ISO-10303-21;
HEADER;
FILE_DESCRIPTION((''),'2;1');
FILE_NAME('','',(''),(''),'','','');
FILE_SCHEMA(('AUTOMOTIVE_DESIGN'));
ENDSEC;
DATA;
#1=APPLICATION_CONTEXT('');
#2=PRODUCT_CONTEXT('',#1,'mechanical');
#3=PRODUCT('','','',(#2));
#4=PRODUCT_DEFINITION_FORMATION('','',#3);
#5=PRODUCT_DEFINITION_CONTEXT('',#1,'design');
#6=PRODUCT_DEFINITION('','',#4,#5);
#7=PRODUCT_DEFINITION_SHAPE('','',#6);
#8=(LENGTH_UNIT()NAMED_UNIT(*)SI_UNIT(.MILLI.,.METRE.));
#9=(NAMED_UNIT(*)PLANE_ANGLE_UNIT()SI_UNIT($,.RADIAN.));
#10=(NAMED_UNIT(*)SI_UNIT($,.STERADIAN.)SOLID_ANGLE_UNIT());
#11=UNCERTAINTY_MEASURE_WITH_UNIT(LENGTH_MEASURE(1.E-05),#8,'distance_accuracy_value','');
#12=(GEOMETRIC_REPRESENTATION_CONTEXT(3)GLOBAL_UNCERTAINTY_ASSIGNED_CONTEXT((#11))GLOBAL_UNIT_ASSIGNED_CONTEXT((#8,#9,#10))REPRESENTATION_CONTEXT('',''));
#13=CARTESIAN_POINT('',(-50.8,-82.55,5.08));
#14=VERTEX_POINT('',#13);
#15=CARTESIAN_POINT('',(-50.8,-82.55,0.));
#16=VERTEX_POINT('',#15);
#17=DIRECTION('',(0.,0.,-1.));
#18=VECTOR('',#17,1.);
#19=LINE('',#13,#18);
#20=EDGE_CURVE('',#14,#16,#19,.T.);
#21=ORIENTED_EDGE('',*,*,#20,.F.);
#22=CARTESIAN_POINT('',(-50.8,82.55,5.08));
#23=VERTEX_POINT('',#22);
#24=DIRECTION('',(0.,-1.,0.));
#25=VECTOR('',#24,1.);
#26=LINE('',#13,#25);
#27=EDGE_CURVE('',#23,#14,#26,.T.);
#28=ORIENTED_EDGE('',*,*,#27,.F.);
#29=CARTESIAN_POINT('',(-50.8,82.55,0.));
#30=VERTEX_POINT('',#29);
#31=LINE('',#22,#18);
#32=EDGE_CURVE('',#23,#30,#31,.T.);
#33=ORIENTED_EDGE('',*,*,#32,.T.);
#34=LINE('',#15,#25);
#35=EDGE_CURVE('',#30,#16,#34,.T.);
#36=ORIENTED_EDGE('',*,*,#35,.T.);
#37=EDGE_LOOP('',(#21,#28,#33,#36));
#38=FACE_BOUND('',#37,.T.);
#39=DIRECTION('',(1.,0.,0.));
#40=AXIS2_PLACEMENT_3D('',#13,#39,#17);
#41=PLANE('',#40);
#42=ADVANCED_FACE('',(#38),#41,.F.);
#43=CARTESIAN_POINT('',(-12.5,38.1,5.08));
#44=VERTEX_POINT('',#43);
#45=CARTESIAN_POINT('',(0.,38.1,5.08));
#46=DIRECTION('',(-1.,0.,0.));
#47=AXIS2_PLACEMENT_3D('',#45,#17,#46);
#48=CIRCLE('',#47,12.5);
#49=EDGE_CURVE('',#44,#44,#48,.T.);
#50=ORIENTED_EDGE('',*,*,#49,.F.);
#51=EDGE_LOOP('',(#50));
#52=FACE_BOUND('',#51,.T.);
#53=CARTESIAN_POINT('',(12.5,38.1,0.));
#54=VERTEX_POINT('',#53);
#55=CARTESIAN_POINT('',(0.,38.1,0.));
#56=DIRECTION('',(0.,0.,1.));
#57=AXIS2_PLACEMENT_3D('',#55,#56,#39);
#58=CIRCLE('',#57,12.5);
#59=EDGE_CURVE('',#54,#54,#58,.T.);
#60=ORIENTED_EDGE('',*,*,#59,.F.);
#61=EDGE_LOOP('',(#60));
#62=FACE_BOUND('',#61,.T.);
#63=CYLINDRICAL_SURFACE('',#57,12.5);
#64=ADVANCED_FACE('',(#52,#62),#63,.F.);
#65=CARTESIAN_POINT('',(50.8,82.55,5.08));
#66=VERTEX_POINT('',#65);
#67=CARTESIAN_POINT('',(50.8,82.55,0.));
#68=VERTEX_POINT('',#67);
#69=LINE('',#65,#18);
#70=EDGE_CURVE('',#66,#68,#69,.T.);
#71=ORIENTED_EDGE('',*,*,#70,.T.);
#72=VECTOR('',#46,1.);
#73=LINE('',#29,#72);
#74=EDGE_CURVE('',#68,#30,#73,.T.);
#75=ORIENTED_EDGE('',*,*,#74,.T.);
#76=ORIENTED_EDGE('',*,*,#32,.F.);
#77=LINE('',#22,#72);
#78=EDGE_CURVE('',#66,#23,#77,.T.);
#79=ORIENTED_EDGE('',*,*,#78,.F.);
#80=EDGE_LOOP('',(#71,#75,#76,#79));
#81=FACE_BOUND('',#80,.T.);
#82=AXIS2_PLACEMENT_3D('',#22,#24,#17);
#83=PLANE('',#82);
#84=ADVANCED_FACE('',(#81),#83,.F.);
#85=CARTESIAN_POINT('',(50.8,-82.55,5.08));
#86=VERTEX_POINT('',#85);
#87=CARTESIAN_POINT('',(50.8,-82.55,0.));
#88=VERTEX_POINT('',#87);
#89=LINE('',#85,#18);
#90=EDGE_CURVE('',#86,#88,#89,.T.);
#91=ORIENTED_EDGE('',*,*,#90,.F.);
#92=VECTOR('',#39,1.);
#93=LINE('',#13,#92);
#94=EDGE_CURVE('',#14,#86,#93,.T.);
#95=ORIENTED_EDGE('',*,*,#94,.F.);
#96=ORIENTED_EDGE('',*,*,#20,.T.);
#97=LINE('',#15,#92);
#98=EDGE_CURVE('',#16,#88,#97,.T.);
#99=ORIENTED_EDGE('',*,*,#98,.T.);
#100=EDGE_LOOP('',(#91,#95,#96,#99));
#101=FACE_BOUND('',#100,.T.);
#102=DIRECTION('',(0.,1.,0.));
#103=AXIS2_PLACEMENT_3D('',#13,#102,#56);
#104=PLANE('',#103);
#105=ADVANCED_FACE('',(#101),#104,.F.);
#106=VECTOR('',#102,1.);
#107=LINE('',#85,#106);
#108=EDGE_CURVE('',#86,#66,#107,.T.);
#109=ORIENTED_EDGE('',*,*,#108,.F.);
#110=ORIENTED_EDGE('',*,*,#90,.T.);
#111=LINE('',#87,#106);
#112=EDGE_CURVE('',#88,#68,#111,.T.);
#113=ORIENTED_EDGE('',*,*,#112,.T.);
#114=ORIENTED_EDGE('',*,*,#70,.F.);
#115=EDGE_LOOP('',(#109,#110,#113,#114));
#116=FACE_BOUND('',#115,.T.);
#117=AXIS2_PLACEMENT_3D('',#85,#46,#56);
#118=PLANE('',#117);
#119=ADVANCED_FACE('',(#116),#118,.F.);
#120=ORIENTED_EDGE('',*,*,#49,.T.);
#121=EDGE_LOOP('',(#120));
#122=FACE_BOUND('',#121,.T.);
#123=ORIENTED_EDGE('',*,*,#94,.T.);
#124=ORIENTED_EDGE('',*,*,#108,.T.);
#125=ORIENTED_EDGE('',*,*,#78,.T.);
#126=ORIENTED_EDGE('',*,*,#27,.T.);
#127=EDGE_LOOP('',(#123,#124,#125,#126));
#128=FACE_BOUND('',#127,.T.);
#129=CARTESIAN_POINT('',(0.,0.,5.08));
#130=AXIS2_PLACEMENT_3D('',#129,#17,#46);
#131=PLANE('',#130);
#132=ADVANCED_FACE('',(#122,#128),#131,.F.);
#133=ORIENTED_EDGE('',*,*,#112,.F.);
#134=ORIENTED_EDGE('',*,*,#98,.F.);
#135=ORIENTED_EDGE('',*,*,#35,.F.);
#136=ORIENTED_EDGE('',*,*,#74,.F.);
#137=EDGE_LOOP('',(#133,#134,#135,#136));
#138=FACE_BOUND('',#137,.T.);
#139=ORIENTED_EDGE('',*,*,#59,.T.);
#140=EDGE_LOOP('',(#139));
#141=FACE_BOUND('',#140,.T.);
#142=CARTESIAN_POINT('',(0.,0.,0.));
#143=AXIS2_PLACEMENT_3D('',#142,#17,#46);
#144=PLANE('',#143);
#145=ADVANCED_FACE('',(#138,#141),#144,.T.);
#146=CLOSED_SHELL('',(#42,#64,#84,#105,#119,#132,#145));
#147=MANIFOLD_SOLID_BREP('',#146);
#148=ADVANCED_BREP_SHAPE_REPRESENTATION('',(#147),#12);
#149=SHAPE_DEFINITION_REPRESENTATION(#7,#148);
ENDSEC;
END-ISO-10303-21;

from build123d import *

# Parameters (mm, degrees)
SKETCH1_W               = 101.6
SKETCH1_H               = 165.1
BOSS_EXTRUDE1_DEPTH     = 5.08
CUT_EXTRUDE1_DEPTH      = 98.061572726
CUT_EXTRUDE1_DEPTH_BACK = 98.061572726
SKETCH3_R               = 12.500000019


with BuildPart() as part:
    # Sketch1 → Boss-Extrude1 (new body)
    with BuildSketch(Plane.XY):
        Rectangle(SKETCH1_W, SKETCH1_H)
    extrude(amount=BOSS_EXTRUDE1_DEPTH)

    # Sketch3 → Cut-Extrude1 (cut, two sides: drawn at the far end of the back side and taken through both)
    with BuildSketch(Plane.XY.offset(5.08).offset(-CUT_EXTRUDE1_DEPTH_BACK)):
        with Locations((0, 38.1)):
            Circle(SKETCH3_R)
    extrude(amount=CUT_EXTRUDE1_DEPTH + CUT_EXTRUDE1_DEPTH_BACK, mode=Mode.SUBTRACT)


solid = part.part
